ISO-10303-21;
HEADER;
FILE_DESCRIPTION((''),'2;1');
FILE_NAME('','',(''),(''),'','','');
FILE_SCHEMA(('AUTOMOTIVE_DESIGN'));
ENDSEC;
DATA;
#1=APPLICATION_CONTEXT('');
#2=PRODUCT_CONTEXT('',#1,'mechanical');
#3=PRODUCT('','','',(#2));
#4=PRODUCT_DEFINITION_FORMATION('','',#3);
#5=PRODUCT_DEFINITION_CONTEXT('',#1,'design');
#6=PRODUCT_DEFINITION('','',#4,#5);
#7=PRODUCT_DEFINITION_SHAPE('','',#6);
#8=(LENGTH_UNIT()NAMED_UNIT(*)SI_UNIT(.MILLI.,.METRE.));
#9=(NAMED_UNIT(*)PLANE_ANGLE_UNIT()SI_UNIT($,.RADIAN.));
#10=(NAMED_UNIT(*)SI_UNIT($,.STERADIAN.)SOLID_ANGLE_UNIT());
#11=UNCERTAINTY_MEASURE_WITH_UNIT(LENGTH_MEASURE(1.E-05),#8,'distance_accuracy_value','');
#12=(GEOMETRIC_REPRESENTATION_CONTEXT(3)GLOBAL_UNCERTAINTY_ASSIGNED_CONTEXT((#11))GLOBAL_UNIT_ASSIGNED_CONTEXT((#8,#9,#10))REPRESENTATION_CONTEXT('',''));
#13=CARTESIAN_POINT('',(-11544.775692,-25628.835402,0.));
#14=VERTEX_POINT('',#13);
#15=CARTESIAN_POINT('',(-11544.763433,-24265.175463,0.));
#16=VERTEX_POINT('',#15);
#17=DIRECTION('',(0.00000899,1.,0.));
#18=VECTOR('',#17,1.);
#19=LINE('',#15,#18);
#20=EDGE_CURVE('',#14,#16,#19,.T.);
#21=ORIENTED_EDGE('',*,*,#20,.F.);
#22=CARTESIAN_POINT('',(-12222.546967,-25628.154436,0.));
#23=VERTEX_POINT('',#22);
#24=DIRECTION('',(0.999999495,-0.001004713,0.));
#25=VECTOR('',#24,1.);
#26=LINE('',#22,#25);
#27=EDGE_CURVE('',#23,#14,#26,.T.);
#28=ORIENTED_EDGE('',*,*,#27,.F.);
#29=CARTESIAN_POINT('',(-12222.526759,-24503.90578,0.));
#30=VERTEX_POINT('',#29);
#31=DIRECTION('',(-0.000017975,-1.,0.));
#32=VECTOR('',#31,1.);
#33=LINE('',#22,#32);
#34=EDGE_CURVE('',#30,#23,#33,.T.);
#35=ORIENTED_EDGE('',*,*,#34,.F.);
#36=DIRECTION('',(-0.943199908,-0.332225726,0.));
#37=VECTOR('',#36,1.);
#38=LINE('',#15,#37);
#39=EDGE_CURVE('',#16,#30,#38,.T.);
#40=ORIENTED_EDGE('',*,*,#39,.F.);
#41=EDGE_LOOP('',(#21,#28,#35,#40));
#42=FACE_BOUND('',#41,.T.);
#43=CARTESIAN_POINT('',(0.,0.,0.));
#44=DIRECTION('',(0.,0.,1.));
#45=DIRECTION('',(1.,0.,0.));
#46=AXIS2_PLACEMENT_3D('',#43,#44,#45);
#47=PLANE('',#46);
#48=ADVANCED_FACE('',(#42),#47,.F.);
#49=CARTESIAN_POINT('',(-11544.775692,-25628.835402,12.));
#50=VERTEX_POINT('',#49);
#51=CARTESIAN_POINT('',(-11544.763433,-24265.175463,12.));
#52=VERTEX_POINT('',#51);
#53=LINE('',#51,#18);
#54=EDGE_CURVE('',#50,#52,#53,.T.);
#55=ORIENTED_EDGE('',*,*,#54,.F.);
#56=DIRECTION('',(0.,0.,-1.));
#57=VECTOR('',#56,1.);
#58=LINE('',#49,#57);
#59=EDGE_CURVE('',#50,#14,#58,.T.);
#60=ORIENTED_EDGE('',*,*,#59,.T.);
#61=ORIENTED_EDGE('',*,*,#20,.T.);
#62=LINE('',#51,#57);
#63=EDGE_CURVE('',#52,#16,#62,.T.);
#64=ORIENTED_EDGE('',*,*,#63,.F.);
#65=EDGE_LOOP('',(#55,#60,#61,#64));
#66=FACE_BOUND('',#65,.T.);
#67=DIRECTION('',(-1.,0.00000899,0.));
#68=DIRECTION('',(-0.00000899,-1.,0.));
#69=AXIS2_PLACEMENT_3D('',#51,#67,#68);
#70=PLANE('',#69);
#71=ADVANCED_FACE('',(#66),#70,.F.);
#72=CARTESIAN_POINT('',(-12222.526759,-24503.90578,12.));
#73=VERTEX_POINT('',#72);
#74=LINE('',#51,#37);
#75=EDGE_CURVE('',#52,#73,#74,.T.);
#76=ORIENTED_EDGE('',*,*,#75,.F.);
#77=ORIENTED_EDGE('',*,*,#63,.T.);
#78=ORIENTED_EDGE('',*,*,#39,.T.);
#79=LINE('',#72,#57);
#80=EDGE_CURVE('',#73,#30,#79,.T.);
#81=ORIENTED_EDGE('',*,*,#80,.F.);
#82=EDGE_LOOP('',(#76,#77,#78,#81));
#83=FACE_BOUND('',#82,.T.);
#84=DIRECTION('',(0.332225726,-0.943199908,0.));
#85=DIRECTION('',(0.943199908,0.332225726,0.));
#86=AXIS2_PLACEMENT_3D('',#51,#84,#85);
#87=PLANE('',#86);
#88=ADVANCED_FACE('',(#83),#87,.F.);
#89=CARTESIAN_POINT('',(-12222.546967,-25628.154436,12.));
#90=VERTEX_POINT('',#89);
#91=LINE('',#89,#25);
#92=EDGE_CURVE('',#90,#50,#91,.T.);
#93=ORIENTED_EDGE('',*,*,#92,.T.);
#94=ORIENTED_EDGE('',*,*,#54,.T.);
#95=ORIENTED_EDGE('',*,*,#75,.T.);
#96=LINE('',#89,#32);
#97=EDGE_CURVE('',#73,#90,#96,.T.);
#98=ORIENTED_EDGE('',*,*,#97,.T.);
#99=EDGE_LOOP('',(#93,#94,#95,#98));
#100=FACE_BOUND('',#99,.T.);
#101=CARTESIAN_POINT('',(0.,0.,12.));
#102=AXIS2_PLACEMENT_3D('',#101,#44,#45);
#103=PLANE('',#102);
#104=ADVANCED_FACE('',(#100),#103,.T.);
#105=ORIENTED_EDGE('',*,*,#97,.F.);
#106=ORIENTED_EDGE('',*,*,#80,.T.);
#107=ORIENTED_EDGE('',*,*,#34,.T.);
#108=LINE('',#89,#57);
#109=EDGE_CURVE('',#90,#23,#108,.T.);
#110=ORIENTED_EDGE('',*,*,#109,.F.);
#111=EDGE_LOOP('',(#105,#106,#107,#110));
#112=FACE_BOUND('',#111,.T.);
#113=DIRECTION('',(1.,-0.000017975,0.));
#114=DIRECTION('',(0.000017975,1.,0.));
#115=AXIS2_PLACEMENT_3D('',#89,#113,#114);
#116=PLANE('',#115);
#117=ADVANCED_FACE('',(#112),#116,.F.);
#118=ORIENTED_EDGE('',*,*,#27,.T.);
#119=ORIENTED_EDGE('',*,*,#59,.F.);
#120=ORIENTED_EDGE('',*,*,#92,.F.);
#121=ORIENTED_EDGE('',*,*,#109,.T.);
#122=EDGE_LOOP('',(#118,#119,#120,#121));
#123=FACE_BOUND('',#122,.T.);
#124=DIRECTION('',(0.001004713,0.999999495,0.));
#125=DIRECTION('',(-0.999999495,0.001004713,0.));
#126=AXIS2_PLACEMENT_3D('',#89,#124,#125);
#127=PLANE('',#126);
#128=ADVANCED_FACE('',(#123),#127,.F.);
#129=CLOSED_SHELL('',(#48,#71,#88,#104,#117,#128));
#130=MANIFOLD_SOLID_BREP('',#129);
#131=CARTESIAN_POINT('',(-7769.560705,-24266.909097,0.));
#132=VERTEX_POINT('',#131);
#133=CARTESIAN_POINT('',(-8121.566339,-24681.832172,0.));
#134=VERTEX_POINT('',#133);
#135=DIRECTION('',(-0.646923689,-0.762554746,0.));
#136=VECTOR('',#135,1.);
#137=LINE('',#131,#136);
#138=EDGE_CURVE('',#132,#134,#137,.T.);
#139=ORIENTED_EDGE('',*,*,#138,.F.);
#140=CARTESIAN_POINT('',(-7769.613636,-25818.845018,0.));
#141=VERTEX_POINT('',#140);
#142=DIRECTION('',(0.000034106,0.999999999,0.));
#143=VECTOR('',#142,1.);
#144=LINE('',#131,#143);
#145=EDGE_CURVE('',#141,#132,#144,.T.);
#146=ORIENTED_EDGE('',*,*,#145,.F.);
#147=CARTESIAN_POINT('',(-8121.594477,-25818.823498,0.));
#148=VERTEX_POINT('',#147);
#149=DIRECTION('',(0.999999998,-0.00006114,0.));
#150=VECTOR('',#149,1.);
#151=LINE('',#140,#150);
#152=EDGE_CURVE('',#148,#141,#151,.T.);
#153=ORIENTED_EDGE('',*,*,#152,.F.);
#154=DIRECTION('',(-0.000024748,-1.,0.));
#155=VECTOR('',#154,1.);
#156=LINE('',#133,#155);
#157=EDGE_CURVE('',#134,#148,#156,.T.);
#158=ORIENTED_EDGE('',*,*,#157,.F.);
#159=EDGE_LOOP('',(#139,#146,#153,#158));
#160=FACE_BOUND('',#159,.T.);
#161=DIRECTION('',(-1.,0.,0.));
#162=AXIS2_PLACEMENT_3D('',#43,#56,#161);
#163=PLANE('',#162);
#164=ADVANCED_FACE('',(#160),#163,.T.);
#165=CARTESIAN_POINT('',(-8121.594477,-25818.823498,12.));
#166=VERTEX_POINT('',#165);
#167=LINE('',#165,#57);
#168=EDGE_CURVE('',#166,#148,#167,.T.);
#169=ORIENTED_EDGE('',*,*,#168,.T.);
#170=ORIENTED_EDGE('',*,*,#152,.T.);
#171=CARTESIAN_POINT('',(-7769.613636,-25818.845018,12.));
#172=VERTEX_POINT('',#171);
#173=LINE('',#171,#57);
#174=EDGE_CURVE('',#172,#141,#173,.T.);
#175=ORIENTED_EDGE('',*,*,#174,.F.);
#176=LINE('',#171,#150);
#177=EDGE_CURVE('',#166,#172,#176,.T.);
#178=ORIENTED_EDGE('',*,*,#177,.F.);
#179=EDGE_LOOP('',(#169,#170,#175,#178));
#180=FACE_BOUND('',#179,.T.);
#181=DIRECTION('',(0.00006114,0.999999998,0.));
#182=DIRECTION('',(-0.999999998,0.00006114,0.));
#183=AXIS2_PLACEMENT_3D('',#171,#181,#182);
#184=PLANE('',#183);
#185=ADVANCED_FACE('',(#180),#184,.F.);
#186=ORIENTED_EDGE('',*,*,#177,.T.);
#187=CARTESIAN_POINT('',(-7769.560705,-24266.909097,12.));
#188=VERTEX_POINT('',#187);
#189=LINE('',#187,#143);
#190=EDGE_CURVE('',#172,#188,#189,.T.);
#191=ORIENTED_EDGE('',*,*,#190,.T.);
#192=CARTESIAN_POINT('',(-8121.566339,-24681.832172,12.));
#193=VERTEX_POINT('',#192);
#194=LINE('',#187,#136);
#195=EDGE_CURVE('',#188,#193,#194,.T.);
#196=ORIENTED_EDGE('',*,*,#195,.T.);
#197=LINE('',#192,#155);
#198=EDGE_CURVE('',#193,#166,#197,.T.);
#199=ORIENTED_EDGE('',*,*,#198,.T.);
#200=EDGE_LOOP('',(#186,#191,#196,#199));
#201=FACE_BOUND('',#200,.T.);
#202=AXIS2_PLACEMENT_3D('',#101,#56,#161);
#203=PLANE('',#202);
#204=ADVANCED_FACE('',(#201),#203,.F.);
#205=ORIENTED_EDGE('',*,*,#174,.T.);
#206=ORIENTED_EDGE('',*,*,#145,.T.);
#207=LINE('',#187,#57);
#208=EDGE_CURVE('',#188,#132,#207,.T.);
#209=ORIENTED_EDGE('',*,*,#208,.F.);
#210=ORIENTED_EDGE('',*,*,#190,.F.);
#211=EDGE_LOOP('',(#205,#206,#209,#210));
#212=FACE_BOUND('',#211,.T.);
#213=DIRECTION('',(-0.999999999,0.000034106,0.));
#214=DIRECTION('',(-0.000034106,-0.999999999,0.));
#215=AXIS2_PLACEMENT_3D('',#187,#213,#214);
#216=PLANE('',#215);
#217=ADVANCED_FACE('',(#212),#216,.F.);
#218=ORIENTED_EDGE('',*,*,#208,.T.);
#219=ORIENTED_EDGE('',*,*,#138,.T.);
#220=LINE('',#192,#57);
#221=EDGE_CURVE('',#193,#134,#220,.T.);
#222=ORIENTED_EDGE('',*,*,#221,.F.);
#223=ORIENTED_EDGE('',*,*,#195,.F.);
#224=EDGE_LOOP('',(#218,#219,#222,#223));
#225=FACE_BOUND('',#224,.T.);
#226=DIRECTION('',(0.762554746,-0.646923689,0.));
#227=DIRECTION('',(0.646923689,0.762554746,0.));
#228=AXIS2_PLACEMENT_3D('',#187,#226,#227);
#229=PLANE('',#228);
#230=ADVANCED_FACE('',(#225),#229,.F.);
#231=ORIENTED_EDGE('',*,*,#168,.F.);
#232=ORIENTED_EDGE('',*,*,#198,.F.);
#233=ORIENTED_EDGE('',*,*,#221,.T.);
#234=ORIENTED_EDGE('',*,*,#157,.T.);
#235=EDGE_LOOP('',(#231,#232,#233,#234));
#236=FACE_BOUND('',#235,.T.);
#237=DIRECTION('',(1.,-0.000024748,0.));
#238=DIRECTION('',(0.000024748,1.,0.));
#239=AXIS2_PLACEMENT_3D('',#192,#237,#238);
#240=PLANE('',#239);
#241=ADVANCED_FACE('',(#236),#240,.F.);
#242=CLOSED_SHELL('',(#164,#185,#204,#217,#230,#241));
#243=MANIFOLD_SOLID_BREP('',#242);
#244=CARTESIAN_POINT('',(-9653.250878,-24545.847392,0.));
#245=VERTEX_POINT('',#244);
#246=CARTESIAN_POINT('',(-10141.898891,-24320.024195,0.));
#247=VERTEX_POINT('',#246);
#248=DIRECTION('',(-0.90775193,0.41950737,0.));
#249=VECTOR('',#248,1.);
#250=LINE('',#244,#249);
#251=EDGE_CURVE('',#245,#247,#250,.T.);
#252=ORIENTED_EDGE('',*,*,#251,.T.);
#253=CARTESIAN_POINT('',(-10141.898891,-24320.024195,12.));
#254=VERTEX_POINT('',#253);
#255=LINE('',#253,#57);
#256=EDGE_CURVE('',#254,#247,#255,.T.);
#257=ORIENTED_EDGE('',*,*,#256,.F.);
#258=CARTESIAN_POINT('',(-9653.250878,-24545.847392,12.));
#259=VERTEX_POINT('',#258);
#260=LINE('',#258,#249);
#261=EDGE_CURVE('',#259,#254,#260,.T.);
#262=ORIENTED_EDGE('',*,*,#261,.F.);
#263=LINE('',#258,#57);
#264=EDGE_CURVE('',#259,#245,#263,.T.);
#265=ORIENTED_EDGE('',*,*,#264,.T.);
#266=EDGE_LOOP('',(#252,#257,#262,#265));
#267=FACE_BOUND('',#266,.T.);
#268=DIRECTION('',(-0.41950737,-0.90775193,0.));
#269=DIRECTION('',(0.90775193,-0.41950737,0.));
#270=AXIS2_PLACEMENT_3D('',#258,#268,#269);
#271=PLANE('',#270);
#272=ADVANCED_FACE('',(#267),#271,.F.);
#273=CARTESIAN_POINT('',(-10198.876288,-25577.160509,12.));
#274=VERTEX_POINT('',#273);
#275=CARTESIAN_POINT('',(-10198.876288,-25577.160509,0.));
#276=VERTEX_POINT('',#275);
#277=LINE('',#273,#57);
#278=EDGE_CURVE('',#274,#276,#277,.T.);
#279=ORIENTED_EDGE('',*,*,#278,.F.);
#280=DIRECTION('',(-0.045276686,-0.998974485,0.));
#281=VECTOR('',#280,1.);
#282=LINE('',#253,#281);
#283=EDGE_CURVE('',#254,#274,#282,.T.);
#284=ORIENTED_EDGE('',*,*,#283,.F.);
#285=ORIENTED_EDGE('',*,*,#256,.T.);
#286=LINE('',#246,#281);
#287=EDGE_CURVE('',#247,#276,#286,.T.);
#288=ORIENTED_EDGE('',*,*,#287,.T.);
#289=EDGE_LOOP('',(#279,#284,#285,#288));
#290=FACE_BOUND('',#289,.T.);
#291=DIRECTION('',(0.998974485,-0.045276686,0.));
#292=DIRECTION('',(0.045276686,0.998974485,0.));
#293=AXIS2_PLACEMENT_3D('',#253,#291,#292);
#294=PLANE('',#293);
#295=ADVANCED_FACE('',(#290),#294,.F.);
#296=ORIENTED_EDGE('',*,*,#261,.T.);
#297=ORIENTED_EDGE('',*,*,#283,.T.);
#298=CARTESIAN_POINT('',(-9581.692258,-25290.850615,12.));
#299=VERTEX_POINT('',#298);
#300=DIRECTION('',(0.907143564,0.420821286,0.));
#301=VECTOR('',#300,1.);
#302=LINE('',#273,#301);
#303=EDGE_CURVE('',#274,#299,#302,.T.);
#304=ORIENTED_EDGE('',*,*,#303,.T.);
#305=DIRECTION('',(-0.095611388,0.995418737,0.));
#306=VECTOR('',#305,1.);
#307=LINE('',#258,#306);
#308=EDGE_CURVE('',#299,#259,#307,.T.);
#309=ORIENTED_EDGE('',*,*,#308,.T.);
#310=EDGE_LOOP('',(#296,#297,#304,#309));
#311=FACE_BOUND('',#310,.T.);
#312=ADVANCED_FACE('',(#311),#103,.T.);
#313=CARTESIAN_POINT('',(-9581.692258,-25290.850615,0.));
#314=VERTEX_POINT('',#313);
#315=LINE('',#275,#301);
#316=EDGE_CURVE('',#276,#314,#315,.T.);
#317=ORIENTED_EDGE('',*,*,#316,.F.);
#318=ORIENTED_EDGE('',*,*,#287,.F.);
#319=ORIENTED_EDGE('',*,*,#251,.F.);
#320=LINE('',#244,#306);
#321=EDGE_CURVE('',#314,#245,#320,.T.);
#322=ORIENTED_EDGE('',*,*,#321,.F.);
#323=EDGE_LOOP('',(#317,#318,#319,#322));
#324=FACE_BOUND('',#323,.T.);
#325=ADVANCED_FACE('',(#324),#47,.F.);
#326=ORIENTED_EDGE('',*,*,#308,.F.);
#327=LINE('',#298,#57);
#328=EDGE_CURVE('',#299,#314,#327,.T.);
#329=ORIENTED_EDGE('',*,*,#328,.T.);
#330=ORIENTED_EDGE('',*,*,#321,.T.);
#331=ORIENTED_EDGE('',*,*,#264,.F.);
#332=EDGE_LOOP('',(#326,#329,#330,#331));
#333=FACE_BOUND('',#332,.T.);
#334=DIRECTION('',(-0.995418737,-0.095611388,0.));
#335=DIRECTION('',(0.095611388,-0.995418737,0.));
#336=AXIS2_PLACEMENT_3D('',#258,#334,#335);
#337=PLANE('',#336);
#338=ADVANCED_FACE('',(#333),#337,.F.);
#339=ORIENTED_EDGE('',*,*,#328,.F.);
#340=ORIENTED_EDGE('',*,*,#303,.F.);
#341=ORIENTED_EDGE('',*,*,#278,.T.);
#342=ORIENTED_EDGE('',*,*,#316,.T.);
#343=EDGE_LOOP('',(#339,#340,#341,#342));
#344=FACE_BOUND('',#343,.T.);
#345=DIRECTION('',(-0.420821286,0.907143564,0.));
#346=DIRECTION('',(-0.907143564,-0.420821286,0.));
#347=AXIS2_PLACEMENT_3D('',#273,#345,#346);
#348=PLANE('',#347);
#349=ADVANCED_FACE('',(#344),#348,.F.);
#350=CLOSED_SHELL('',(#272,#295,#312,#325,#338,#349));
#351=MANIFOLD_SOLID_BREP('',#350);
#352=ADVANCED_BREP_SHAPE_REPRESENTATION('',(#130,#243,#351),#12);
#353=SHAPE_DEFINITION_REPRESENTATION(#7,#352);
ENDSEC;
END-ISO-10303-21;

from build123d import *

# Parameters (mm, degrees)
Y_KSEKLIK_EKSTR_ZYON1_DEPTH   = 12
Y_KSEKLIK_EKSTR_ZYON1_2_DEPTH = 12
Y_KSEKLIK_EKSTR_ZYON1_3_DEPTH = 12


with BuildPart() as part:
    # Çizim1 → Yükseklik-Ekstrüzyon1 (new body)
    with BuildSketch(Plane.XY):
        Polygon((-11544.763432538, -24265.175463113), (-11544.775691722, -25628.835401716), (-12222.546966622, -25628.154435718), (-12222.526758536, -24503.905779923), align=None)
    extrude(amount=Y_KSEKLIK_EKSTR_ZYON1_DEPTH)


with BuildPart() as body_2:
    # Çizim1 → Y_kseklik-Ekstr_zyon1 2 (new body)
    with BuildSketch(Plane.XY):
        Polygon((-8121.566339207, -24681.832172443), (-8121.59447703, -25818.823497743), (-7769.613636026, -25818.845017714), (-7769.560705178, -24266.909097047), align=None)
    extrude(amount=Y_KSEKLIK_EKSTR_ZYON1_2_DEPTH)


with BuildPart() as body_3:
    # Çizim1 → Y_kseklik-Ekstr_zyon1 3 (new body)
    with BuildSketch(Plane.XY):
        Polygon((-10141.898890802, -24320.024195408), (-10198.876287928, -25577.160508614), (-9581.692257619, -25290.850614754), (-9653.250878476, -24545.847392263), align=None)
    extrude(amount=Y_KSEKLIK_EKSTR_ZYON1_3_DEPTH)


solid = Compound([part.part, body_2.part, body_3.part])
